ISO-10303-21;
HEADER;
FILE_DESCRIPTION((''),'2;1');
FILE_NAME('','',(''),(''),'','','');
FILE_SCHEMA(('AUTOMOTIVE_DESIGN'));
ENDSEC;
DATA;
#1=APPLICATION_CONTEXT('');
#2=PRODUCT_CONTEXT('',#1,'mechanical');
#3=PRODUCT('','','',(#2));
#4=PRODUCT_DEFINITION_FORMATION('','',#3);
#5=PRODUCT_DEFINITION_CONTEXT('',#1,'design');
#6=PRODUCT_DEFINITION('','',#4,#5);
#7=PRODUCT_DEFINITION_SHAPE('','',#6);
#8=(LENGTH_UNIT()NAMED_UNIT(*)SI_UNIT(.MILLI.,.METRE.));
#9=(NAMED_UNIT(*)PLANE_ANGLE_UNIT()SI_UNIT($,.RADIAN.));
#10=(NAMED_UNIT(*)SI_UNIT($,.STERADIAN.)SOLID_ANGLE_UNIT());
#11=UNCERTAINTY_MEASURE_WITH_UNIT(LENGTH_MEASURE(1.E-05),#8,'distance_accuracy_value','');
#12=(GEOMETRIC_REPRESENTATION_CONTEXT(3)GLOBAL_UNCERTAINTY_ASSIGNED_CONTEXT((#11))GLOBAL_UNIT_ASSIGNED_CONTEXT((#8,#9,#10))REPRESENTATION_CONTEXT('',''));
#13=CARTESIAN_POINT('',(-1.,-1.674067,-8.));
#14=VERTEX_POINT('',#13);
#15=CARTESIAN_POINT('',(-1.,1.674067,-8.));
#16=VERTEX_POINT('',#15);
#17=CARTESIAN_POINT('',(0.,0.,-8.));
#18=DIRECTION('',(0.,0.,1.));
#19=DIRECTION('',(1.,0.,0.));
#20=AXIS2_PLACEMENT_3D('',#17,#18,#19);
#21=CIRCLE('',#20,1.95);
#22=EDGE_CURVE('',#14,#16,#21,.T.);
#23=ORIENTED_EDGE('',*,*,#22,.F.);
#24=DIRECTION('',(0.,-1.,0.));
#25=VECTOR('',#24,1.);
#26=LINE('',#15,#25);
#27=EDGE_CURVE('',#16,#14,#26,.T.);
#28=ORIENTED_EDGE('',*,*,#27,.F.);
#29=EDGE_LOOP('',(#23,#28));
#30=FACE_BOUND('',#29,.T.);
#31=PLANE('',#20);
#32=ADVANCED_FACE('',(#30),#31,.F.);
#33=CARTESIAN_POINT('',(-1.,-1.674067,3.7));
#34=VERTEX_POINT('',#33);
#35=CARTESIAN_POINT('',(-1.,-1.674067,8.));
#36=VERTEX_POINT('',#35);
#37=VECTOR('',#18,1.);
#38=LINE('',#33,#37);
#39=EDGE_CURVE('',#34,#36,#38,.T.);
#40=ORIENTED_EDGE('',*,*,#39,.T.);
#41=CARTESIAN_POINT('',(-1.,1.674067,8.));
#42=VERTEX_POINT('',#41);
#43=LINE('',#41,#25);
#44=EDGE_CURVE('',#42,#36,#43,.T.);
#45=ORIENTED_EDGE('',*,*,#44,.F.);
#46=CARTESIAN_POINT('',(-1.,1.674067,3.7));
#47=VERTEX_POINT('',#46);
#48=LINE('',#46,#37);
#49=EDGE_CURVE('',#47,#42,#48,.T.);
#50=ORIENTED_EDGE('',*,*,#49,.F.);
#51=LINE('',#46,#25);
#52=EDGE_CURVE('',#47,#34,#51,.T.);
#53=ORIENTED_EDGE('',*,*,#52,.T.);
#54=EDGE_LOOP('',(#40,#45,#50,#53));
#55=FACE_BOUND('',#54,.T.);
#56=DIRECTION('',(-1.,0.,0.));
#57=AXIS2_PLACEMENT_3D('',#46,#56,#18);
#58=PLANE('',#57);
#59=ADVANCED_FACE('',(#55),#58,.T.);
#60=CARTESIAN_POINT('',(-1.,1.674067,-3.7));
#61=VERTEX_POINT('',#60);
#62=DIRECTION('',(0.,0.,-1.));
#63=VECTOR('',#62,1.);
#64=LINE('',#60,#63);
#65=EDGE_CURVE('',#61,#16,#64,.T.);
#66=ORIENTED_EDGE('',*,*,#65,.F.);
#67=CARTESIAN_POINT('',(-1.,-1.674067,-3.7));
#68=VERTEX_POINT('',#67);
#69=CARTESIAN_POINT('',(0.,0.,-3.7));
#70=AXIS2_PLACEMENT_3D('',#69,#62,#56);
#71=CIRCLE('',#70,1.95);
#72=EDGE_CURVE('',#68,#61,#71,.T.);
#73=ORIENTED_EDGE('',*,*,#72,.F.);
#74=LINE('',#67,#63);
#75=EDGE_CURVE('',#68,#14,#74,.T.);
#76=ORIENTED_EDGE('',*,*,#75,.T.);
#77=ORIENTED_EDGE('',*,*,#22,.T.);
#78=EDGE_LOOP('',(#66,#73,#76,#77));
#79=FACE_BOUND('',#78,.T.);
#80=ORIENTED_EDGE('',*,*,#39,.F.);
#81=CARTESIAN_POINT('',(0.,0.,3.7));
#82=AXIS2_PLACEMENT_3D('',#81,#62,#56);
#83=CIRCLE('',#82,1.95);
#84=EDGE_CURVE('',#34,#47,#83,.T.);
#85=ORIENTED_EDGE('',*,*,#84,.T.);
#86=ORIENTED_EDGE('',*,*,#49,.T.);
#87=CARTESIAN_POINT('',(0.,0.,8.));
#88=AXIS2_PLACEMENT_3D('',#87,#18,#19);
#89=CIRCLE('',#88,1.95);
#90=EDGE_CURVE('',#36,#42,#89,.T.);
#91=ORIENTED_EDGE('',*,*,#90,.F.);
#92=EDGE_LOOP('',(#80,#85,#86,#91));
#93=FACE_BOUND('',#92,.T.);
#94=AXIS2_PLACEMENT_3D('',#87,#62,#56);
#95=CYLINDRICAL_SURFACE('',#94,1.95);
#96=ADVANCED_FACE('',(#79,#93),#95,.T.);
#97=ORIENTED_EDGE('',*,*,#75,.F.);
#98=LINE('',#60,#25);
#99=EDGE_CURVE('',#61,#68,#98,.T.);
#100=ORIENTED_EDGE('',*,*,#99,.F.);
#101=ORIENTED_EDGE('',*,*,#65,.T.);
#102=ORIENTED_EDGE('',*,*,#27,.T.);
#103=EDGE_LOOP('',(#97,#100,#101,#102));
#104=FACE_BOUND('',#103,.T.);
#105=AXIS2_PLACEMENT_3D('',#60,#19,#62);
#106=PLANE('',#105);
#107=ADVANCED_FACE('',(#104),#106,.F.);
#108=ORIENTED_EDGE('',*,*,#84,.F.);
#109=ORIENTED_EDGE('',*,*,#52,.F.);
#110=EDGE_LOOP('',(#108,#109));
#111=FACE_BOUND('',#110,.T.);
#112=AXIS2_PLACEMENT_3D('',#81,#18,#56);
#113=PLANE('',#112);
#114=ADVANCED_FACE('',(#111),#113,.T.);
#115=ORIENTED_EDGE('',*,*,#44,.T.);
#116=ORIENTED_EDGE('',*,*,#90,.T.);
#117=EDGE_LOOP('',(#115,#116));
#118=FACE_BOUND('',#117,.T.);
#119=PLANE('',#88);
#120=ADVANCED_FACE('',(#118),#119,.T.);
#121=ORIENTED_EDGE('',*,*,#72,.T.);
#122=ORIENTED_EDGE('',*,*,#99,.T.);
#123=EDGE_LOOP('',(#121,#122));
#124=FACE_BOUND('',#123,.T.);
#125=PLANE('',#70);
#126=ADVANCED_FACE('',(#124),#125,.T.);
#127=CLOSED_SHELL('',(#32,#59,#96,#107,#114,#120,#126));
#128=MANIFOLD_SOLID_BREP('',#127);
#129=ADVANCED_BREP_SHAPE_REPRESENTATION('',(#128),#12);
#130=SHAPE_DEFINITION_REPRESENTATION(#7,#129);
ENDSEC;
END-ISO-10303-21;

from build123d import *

# Parameters (mm, degrees)
SKETCH2_R           = 1.95
BOSS_EXTRUDE1_DEPTH = 8
CUT_EXTRUDE1_DEPTH  = 4.3


with BuildPart() as part:
    # Sketch2 → Boss-Extrude1 (new body, symmetric)
    with BuildSketch(Plane.XY):
        Circle(SKETCH2_R)
    extrude(amount=BOSS_EXTRUDE1_DEPTH, both=True)

    # Sketch4 → Cut-Extrude1 (cut)
    with BuildSketch(Plane(origin=(0, 0, -8), x_dir=(-1, 0, 0), z_dir=(0, 0, -1))):
        with BuildLine():
            Line((1, 1.674066904), (1, -1.674066904))
            ThreePointArc((1, -1.674066904), (1.95, 0), (1, 1.674066904))
        make_face()
    cut_extrude1 = extrude(amount=-CUT_EXTRUDE1_DEPTH, mode=Mode.SUBTRACT)

    # Mirror1: Cut-Extrude1 across plane
    add(cut_extrude1.mirror(Plane.XY), mode=Mode.SUBTRACT)


solid = part.part
